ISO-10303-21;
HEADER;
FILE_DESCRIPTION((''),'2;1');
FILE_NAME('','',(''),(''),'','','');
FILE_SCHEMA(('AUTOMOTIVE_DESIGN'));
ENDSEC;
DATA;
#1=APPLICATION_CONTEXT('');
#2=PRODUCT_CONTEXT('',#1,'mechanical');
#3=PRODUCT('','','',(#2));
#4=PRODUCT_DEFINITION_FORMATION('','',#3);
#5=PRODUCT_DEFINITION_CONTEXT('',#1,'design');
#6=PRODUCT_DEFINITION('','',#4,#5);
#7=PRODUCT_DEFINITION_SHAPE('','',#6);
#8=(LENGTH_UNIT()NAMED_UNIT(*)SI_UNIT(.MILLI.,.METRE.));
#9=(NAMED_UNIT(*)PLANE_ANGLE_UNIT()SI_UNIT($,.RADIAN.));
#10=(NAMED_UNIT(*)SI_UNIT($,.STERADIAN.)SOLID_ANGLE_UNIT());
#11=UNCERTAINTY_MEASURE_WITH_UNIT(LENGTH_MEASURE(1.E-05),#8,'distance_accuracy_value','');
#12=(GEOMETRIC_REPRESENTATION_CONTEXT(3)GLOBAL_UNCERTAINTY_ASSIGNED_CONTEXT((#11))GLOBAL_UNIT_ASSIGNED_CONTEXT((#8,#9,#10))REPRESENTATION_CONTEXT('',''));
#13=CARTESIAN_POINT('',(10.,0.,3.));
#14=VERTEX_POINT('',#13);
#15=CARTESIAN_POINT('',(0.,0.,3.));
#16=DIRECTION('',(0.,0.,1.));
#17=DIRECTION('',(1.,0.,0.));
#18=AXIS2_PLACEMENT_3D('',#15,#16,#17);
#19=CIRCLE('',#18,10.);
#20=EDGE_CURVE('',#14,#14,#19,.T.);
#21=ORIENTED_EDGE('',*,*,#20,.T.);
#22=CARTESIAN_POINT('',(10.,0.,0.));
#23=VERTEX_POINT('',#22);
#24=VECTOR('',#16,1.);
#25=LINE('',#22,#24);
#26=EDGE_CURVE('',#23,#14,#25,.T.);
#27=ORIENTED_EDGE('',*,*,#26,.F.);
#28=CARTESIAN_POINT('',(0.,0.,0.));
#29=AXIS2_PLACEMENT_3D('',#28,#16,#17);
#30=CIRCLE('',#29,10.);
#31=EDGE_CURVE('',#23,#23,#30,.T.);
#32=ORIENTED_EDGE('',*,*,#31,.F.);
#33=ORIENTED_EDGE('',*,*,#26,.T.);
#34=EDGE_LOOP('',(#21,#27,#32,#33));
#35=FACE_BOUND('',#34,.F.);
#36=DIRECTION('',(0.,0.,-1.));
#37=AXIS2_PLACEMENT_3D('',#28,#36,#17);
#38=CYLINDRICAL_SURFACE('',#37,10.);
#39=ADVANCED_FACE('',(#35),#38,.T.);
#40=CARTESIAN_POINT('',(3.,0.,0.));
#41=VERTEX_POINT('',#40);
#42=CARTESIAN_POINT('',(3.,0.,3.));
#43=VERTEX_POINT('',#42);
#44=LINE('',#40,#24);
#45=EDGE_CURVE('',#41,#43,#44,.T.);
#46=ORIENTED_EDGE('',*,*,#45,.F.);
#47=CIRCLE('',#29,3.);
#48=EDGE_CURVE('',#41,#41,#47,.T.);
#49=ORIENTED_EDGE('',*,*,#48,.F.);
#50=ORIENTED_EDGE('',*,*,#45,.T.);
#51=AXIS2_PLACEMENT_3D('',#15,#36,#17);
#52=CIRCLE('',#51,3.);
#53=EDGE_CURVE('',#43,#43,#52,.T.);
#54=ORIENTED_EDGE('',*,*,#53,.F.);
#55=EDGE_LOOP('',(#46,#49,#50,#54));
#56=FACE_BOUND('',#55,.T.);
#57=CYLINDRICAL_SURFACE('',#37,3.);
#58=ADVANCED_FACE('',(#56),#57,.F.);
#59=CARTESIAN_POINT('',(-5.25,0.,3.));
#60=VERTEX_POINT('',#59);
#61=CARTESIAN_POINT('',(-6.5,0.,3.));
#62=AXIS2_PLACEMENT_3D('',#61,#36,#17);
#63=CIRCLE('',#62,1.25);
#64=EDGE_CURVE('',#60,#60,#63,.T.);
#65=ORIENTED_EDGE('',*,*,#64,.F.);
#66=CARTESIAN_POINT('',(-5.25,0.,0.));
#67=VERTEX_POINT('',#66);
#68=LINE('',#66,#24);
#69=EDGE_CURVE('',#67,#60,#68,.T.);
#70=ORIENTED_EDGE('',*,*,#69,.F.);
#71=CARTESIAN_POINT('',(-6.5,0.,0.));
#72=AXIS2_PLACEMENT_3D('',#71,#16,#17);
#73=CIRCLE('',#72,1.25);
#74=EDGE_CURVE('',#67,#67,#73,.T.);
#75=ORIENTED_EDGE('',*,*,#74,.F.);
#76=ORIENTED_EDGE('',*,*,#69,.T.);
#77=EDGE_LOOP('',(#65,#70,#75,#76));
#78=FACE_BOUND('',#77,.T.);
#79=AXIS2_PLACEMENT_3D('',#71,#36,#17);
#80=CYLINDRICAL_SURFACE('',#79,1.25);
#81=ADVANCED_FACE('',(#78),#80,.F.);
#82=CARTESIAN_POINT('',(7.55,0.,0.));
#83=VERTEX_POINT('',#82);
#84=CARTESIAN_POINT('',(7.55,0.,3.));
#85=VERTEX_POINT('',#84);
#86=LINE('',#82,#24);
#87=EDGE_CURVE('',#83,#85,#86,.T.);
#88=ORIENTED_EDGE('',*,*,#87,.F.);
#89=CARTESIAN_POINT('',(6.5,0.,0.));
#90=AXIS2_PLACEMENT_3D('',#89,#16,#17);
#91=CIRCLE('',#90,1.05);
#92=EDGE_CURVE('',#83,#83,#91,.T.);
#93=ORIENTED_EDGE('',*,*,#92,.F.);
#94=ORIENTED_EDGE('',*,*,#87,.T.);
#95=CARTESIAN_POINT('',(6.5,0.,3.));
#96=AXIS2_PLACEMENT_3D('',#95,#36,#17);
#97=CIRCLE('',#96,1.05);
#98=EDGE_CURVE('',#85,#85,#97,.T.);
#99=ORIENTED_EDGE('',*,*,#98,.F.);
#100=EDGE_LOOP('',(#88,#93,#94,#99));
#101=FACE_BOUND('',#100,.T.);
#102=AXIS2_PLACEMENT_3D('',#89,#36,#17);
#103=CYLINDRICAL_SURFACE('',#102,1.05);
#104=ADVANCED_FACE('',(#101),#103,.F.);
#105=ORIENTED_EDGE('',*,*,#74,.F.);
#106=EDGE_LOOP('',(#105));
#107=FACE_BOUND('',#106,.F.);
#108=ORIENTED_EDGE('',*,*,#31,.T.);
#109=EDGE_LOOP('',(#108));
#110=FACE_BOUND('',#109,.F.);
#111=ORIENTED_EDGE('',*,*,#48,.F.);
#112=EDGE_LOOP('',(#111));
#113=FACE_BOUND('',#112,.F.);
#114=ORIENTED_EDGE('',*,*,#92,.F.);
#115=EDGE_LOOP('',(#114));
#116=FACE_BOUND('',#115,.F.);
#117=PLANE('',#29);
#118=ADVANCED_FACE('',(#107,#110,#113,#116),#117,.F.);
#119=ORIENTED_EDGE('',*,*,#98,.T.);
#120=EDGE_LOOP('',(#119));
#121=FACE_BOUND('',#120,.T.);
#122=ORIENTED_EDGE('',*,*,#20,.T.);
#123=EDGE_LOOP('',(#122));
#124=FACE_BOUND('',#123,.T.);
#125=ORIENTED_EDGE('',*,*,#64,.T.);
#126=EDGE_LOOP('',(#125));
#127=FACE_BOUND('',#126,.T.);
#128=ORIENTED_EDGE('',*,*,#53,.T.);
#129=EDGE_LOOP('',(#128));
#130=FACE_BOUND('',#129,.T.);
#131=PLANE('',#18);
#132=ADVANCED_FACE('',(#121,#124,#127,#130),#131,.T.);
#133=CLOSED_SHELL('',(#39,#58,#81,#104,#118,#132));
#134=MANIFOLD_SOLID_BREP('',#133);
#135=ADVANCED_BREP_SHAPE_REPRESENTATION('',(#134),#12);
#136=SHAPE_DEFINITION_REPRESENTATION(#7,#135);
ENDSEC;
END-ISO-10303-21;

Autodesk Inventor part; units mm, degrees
ref_plane "YZ Plane" through (0, 0, 0) normal (1, 0, 0) x (0, 1, 0)
ref_plane "XZ Plane" through (0, 0, 0) normal (0, 1, 0) x (-1, 0, 0)
ref_plane "XY Plane" through (0, 0, 0) normal (0, 0, 1) x (1, 0, 0)
sketch "スケッチ1" plane through (0, 0, 0) normal (0, 0, 1) x (1, 0, 0)
  circle A0 centre (0, 0) radius 3
  circle A1 centre (0, 0) radius 10
  circle A2 centre (0, 0) radius 6.5
  circle A3 centre (6.5, 0) radius 1.05
  circle A4 centre (-6.5, 0) radius 1.25
  line L0 (-3, 0) -> (3, 0)
  dimension "d0" = 6
  dimension "d1" = 20
  dimension "d2" = 13
  dimension "d3" = 2.1
  dimension "d4" = 2.5
extrude "押し出し1" add sketch "スケッチ1" along normal blind 3 contours A1 | A3 A2 A4
properties part number "set_6_20"
